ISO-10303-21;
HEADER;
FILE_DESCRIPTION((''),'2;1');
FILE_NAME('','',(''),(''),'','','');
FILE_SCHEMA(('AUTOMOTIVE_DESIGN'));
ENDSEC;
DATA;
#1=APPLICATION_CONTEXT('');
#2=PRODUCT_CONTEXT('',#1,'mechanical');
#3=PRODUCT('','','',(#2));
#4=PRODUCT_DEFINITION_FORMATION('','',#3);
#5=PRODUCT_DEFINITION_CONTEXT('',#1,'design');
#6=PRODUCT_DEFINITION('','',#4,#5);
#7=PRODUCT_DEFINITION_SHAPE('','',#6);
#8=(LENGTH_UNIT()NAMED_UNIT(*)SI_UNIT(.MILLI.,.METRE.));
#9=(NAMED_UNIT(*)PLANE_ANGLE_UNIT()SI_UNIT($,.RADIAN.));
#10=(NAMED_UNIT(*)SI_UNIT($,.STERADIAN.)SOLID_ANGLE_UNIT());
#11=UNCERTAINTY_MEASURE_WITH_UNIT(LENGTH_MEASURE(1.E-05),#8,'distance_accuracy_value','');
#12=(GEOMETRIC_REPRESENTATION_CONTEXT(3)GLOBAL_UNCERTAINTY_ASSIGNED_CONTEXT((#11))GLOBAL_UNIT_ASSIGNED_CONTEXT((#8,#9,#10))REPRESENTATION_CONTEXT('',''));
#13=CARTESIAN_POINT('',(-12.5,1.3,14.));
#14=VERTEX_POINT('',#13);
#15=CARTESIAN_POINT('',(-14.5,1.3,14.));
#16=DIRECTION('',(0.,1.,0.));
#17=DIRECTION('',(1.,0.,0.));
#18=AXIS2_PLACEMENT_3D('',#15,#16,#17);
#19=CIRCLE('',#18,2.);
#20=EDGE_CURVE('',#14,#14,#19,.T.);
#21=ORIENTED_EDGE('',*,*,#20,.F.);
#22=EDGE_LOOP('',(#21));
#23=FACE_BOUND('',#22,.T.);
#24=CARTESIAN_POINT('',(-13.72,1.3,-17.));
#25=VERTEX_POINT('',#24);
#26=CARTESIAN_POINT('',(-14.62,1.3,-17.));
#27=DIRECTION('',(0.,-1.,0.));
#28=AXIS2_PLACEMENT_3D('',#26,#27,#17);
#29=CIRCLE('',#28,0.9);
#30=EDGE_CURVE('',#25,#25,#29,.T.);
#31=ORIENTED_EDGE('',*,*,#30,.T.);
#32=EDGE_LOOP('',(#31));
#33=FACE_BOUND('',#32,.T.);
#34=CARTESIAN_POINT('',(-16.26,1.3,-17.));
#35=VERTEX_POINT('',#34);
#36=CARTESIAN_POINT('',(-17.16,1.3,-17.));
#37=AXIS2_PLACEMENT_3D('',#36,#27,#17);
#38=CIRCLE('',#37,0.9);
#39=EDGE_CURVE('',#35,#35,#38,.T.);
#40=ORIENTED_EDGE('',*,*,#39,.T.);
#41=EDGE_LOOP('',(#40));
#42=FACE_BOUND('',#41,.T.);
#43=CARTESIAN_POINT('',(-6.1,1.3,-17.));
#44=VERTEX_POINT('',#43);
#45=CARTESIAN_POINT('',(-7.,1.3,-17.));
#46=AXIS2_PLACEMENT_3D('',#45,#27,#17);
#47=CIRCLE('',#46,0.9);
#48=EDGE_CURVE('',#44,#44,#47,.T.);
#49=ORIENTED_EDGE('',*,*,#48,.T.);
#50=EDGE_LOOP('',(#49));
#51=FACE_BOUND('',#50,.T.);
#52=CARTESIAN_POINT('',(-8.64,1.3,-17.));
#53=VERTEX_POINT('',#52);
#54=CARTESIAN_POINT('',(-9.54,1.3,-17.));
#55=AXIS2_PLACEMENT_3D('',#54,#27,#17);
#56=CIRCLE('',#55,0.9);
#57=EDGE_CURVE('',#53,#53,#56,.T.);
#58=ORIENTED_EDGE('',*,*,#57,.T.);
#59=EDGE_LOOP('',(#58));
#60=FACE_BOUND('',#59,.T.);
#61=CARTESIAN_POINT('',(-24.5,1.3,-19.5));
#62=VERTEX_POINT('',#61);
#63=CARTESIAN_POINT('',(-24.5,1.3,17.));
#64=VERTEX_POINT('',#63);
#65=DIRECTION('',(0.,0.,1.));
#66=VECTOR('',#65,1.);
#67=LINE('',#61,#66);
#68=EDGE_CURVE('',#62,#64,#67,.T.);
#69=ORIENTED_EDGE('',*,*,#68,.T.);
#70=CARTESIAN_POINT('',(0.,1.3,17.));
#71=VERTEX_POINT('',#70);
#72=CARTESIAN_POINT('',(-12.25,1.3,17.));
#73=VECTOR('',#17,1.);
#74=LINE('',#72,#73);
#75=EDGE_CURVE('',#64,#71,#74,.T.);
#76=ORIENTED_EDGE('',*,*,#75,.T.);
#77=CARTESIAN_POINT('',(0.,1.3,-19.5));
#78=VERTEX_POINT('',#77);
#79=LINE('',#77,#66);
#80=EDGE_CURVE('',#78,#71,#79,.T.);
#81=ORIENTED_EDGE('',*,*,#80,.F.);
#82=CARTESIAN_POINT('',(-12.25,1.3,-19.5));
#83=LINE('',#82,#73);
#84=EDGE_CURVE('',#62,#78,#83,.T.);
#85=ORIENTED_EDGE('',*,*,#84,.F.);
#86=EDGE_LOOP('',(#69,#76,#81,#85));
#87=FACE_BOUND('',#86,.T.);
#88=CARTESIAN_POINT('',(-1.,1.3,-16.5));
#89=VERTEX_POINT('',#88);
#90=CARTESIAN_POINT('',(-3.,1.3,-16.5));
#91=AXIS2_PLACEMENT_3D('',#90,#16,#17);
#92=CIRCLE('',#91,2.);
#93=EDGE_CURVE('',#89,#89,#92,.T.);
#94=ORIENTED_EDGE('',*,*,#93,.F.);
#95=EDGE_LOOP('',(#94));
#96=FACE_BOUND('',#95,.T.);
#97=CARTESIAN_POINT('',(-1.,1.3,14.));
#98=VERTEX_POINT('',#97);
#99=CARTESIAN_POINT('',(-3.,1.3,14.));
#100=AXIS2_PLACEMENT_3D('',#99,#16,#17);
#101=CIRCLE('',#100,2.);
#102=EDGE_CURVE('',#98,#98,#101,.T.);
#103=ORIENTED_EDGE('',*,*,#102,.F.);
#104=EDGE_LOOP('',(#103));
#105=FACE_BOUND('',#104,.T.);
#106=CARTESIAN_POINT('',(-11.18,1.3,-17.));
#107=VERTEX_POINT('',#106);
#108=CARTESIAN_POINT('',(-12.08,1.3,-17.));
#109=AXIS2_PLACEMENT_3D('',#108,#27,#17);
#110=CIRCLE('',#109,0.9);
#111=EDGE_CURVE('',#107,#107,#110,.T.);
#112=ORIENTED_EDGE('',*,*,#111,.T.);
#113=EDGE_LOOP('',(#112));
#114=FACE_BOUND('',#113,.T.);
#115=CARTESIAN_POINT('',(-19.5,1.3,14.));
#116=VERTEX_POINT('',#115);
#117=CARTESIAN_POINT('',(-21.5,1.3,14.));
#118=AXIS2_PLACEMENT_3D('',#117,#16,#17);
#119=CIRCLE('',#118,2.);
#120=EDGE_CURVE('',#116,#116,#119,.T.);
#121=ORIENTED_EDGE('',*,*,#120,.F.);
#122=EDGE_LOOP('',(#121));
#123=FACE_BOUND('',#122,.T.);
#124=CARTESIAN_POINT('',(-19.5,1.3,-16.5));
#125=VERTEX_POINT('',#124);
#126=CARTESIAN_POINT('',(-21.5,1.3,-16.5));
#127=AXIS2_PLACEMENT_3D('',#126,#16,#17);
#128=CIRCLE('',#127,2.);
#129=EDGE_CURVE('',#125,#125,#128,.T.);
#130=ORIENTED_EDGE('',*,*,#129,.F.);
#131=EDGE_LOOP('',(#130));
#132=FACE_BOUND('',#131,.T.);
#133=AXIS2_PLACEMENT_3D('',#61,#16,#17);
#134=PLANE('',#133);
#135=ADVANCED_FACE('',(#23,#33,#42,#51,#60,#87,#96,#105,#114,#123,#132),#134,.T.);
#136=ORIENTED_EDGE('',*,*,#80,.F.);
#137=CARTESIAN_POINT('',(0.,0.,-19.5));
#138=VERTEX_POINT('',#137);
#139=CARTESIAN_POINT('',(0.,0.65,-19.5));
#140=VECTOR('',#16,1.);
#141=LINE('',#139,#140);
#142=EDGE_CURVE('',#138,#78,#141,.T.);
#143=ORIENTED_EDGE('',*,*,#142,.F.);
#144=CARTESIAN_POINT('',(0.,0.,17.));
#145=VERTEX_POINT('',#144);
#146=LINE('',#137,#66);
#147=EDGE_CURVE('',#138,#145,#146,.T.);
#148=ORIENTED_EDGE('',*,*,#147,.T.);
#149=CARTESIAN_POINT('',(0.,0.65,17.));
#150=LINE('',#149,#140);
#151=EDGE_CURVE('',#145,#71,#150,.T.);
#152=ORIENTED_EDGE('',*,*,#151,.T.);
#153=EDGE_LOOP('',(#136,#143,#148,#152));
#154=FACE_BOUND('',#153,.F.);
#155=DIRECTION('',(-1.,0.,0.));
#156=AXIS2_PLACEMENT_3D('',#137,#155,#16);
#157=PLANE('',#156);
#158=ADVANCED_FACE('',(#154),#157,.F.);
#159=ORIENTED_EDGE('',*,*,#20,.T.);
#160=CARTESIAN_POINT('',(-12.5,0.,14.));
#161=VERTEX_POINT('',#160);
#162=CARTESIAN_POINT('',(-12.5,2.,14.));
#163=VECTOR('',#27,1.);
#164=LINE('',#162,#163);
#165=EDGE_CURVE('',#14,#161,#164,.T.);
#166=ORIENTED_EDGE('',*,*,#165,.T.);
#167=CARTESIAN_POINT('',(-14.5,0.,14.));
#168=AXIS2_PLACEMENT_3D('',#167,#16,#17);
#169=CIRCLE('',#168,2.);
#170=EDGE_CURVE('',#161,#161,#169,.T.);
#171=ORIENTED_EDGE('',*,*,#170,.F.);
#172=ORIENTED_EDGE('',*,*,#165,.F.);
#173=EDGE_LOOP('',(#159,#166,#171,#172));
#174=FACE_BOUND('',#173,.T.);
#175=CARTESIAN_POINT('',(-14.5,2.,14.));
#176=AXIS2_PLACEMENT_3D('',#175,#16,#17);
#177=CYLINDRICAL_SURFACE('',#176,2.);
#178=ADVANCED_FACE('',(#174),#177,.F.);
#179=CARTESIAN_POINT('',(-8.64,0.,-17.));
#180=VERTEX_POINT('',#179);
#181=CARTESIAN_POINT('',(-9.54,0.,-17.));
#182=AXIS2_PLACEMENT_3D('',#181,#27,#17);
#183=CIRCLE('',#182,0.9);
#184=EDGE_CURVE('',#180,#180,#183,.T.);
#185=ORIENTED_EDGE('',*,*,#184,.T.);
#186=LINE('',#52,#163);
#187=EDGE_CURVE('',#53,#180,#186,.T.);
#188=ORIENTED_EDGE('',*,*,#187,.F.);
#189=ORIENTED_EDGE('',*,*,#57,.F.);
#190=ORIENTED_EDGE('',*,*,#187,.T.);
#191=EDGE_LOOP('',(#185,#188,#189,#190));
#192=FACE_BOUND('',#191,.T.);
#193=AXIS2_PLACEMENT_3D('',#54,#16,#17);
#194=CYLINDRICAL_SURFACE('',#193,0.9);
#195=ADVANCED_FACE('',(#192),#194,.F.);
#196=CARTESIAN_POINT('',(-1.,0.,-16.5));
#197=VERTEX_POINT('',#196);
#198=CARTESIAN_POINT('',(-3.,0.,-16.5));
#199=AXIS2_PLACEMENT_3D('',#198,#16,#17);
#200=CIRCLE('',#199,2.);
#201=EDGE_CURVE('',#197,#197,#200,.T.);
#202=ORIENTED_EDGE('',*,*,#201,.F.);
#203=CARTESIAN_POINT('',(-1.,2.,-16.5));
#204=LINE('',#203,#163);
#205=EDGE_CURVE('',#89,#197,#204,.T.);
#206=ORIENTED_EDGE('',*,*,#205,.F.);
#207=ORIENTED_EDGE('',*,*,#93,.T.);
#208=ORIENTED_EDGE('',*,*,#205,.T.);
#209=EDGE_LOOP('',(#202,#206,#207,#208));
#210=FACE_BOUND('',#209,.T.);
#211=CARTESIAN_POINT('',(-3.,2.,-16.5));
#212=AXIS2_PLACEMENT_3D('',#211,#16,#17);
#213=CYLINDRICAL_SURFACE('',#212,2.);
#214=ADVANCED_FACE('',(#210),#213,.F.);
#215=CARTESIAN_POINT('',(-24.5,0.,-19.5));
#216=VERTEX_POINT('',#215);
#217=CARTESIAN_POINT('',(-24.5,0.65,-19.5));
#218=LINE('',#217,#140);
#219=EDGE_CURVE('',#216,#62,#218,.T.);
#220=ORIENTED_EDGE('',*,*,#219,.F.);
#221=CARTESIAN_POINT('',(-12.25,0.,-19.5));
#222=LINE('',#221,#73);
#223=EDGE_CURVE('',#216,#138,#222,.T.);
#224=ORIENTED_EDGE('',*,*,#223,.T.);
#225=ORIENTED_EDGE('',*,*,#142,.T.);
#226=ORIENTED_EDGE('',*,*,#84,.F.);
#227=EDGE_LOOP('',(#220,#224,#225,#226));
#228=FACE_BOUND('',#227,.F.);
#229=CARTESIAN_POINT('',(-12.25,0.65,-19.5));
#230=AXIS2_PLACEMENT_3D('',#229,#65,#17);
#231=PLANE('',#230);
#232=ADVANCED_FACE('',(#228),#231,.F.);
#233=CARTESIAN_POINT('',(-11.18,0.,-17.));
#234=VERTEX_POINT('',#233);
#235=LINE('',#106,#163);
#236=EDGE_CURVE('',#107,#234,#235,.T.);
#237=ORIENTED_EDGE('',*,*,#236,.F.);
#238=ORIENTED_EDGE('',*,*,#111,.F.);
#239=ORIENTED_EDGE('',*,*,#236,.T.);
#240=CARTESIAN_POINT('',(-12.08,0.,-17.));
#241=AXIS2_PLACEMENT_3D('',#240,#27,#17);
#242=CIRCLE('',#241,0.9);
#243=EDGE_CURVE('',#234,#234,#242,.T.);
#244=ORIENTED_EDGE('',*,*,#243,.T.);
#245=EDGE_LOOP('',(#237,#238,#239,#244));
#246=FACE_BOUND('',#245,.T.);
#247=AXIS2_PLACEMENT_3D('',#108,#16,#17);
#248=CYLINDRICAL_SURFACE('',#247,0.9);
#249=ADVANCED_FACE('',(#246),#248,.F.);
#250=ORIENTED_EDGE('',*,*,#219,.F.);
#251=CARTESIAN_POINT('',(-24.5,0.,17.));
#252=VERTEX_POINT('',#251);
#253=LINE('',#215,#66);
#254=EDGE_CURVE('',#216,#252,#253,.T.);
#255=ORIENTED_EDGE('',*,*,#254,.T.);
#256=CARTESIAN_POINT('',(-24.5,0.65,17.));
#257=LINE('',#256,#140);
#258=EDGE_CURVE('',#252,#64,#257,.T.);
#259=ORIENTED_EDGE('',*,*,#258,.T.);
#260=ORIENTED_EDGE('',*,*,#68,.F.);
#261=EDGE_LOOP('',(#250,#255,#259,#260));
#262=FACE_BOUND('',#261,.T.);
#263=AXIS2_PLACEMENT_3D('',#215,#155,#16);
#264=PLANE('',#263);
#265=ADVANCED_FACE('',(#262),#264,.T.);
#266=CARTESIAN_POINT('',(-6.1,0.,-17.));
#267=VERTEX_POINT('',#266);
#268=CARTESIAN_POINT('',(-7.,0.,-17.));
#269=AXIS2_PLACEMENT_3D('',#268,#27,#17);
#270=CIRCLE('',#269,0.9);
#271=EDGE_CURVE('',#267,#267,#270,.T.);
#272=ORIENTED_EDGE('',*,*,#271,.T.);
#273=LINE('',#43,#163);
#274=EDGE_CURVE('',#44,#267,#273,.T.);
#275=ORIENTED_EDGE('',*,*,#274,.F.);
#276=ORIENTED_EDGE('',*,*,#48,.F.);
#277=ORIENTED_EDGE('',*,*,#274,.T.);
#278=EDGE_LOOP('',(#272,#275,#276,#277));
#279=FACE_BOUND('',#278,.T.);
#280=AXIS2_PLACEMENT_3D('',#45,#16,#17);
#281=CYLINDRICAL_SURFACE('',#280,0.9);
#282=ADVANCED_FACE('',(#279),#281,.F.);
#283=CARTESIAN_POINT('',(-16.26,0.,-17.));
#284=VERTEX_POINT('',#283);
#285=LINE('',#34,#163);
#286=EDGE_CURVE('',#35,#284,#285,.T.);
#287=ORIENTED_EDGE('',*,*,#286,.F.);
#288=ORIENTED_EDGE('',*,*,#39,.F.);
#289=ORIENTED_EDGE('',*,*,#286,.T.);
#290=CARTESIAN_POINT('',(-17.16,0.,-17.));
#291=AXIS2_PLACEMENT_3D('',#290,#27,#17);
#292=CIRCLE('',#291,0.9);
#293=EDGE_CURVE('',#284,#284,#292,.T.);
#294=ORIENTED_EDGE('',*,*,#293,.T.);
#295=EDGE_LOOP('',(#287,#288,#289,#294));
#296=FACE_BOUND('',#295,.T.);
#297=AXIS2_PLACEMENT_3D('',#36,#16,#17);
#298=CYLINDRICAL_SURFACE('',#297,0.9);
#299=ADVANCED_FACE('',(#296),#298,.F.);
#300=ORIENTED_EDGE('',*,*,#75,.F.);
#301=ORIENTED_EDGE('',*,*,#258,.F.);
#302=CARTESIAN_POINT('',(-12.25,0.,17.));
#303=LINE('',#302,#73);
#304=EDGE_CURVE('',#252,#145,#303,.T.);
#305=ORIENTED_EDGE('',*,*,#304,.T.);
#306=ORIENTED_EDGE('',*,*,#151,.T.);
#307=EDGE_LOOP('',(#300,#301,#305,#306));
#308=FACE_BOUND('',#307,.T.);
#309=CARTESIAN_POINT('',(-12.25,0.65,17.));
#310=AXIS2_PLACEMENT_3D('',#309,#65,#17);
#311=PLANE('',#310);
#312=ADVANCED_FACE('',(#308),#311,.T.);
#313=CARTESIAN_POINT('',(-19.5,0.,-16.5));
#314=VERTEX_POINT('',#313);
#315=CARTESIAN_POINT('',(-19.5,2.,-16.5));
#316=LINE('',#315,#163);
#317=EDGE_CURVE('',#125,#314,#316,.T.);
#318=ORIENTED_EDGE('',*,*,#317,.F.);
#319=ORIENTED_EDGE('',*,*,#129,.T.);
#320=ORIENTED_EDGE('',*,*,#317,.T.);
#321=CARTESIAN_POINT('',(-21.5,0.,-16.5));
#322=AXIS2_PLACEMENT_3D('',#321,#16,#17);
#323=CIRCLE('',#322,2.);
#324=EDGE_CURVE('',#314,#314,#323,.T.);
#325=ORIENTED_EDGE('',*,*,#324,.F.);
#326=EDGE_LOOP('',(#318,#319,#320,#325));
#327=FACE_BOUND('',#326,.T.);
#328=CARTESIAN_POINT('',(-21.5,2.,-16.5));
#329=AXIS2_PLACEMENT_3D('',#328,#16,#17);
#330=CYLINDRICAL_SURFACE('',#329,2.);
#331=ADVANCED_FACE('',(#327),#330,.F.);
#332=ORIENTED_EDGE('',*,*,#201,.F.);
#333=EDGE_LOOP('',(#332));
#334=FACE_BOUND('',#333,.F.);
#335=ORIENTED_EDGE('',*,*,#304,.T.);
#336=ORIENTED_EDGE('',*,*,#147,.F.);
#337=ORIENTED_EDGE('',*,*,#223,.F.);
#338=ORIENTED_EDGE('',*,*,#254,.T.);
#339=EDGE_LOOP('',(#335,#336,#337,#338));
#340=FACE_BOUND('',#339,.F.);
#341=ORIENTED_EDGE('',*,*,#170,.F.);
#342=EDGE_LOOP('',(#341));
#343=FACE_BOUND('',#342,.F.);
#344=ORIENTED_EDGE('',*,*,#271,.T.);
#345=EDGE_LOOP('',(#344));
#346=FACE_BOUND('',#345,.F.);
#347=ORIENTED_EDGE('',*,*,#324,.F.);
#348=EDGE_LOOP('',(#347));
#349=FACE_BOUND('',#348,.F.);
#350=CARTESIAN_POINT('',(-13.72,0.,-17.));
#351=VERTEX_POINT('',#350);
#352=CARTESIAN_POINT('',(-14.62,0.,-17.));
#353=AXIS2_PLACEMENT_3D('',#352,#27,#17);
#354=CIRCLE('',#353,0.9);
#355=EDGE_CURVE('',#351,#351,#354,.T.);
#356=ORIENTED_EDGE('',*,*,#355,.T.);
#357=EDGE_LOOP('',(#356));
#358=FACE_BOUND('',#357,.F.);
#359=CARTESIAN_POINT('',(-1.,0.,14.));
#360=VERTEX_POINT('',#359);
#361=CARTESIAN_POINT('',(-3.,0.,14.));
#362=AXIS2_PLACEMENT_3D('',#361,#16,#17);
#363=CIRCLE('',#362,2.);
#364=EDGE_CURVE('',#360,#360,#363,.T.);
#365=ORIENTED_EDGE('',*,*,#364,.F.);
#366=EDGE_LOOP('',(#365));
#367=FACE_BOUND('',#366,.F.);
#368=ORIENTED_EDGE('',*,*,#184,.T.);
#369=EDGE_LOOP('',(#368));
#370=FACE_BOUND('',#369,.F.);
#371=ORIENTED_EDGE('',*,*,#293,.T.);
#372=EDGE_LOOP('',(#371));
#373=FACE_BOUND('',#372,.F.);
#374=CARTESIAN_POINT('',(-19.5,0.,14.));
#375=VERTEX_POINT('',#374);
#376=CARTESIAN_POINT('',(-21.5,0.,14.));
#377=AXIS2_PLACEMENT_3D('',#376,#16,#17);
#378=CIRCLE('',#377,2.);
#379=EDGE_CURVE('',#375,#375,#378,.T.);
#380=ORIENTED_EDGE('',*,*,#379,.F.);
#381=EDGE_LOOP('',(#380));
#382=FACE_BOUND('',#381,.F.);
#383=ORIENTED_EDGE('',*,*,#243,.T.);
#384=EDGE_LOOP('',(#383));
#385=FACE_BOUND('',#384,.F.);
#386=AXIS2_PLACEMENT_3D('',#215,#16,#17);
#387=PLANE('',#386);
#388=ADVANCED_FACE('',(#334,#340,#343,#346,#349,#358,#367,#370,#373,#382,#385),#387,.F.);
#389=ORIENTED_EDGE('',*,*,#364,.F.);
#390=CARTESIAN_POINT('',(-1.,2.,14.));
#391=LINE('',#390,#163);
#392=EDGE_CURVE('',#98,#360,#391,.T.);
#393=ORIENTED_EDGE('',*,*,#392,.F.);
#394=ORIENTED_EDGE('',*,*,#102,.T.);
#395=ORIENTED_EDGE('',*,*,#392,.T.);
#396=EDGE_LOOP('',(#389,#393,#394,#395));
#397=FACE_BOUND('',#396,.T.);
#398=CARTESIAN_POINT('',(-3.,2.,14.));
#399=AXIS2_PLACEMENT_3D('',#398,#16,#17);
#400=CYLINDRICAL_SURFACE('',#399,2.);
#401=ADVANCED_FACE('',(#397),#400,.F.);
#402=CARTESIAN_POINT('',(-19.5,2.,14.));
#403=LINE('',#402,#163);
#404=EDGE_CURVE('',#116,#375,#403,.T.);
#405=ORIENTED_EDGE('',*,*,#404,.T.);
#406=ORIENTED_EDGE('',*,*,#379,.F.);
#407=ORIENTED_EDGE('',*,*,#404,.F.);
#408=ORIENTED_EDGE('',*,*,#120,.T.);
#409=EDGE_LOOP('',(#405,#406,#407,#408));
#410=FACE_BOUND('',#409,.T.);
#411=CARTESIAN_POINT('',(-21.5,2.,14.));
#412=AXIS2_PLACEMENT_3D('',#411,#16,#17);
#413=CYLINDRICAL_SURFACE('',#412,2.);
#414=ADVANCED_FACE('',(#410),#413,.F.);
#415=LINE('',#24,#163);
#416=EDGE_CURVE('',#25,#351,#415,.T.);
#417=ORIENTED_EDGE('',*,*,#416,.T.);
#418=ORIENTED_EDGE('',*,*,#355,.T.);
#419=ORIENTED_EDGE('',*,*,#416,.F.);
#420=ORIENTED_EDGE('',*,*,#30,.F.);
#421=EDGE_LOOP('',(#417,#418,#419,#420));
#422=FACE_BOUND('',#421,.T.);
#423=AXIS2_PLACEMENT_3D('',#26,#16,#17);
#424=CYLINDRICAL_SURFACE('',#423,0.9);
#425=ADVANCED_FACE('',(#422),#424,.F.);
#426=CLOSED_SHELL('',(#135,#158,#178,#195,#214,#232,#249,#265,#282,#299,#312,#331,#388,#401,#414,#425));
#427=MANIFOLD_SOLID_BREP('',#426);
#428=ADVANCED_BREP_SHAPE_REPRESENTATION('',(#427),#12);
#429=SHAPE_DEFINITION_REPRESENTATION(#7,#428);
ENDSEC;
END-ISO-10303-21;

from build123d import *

# Parameters (mm, degrees)
CYLINDER_R        = 2
CYLINDER_DEPTH    = 10
CYLINDER168_R     = 2
CYLINDER168_DEPTH = 10
CYLINDER169_R     = 2
CYLINDER169_DEPTH = 10
CYLINDER170_R     = 2
CYLINDER170_DEPTH = 10
CYLINDER171_R     = 2
CYLINDER171_DEPTH = 10
CYLINDER166_R     = 0.9
CYLINDER166_DEPTH = 1.3
CYLINDER165_R     = 0.9
CYLINDER165_DEPTH = 1.3
CYLINDER167_R     = 0.9
CYLINDER167_DEPTH = 1.3
CYLINDER164_R     = 0.9
CYLINDER164_DEPTH = 1.3
CYLINDER163_R     = 0.9
CYLINDER163_DEPTH = 1.3
BOX_W             = 24.5
BOX_H             = 1.3
BOX_DEPTH         = 36.5


with BuildPart() as cylinder:
    # Cylinder → Cylinder (new body)
    with BuildSketch(Plane(origin=(-3, 2, 14), x_dir=(1, 0, 0), z_dir=(0, -1, 0))):
        Circle(CYLINDER_R)
    extrude(amount=CYLINDER_DEPTH)


with BuildPart() as cylinder168:
    # Cylinder168 → Cylinder168 (new body)
    with BuildSketch(Plane(origin=(-14.5, 2, 14), x_dir=(1, 0, 0), z_dir=(0, -1, 0))):
        Circle(CYLINDER168_R)
    extrude(amount=CYLINDER168_DEPTH)


with BuildPart() as cylinder169:
    # Cylinder169 → Cylinder169 (new body)
    with BuildSketch(Plane(origin=(-21.5, 2, 14), x_dir=(1, 0, 0), z_dir=(0, -1, 0))):
        Circle(CYLINDER169_R)
    extrude(amount=CYLINDER169_DEPTH)


with BuildPart() as cylinder170:
    # Cylinder170 → Cylinder170 (new body)
    with BuildSketch(Plane(origin=(-3, 2, -16.5), x_dir=(1, 0, 0), z_dir=(0, -1, 0))):
        Circle(CYLINDER170_R)
    extrude(amount=CYLINDER170_DEPTH)


with BuildPart() as cylinder171:
    # Cylinder171 → Cylinder171 (new body)
    with BuildSketch(Plane(origin=(-21.5, 2, -16.5), x_dir=(1, 0, 0), z_dir=(0, -1, 0))):
        Circle(CYLINDER171_R)
    extrude(amount=CYLINDER171_DEPTH)


with BuildPart() as cylinder166:
    # Cylinder166 → Cylinder166 (new body)
    with BuildSketch(Plane(origin=(-14.62, 1.3, -17), x_dir=(1, 0, 0), z_dir=(0, -1, 0))):
        Circle(CYLINDER166_R)
    extrude(amount=CYLINDER166_DEPTH)


with BuildPart() as cylinder165:
    # Cylinder165 → Cylinder165 (new body)
    with BuildSketch(Plane(origin=(-12.08, 1.3, -17), x_dir=(1, 0, 0), z_dir=(0, -1, 0))):
        Circle(CYLINDER165_R)
    extrude(amount=CYLINDER165_DEPTH)


with BuildPart() as cylinder167:
    # Cylinder167 → Cylinder167 (new body)
    with BuildSketch(Plane(origin=(-17.16, 1.3, -17), x_dir=(1, 0, 0), z_dir=(0, -1, 0))):
        Circle(CYLINDER167_R)
    extrude(amount=CYLINDER167_DEPTH)


with BuildPart() as cylinder164:
    # Cylinder164 → Cylinder164 (new body)
    with BuildSketch(Plane(origin=(-9.54, 1.3, -17), x_dir=(1, 0, 0), z_dir=(0, -1, 0))):
        Circle(CYLINDER164_R)
    extrude(amount=CYLINDER164_DEPTH)


with BuildPart() as pcb_cutouts:
    # Cylinder163 → Cylinder163 (new body)
    with BuildSketch(Plane(origin=(-7, 1.3, -17), x_dir=(1, 0, 0), z_dir=(0, -1, 0))):
        Circle(CYLINDER163_R)
    extrude(amount=CYLINDER163_DEPTH)

    # Fusion: union Cylinder166, Cylinder165, Cylinder167, Cylinder164
    add(cylinder166.part)
    add(cylinder165.part)
    add(cylinder167.part)
    add(cylinder164.part)

    # Fusion001: union Cylinder, Cylinder168, Cylinder169, Cylinder170, Cylinder171
    add(cylinder.part)
    add(cylinder168.part)
    add(cylinder169.part)
    add(cylinder170.part)
    add(cylinder171.part)


with BuildPart() as pcb:
    # Box → Box (new body)
    with BuildSketch(Plane(origin=(-24.5, 0, -19.5), x_dir=(1, 0, 0), z_dir=(0, 0, 1))):
        with Locations((12.25, 0.65)):
            Rectangle(BOX_W, BOX_H)
    extrude(amount=BOX_DEPTH)

    # Cut: cut pcb cutouts
    add(pcb_cutouts.part, mode=Mode.SUBTRACT)


solid = pcb.part
